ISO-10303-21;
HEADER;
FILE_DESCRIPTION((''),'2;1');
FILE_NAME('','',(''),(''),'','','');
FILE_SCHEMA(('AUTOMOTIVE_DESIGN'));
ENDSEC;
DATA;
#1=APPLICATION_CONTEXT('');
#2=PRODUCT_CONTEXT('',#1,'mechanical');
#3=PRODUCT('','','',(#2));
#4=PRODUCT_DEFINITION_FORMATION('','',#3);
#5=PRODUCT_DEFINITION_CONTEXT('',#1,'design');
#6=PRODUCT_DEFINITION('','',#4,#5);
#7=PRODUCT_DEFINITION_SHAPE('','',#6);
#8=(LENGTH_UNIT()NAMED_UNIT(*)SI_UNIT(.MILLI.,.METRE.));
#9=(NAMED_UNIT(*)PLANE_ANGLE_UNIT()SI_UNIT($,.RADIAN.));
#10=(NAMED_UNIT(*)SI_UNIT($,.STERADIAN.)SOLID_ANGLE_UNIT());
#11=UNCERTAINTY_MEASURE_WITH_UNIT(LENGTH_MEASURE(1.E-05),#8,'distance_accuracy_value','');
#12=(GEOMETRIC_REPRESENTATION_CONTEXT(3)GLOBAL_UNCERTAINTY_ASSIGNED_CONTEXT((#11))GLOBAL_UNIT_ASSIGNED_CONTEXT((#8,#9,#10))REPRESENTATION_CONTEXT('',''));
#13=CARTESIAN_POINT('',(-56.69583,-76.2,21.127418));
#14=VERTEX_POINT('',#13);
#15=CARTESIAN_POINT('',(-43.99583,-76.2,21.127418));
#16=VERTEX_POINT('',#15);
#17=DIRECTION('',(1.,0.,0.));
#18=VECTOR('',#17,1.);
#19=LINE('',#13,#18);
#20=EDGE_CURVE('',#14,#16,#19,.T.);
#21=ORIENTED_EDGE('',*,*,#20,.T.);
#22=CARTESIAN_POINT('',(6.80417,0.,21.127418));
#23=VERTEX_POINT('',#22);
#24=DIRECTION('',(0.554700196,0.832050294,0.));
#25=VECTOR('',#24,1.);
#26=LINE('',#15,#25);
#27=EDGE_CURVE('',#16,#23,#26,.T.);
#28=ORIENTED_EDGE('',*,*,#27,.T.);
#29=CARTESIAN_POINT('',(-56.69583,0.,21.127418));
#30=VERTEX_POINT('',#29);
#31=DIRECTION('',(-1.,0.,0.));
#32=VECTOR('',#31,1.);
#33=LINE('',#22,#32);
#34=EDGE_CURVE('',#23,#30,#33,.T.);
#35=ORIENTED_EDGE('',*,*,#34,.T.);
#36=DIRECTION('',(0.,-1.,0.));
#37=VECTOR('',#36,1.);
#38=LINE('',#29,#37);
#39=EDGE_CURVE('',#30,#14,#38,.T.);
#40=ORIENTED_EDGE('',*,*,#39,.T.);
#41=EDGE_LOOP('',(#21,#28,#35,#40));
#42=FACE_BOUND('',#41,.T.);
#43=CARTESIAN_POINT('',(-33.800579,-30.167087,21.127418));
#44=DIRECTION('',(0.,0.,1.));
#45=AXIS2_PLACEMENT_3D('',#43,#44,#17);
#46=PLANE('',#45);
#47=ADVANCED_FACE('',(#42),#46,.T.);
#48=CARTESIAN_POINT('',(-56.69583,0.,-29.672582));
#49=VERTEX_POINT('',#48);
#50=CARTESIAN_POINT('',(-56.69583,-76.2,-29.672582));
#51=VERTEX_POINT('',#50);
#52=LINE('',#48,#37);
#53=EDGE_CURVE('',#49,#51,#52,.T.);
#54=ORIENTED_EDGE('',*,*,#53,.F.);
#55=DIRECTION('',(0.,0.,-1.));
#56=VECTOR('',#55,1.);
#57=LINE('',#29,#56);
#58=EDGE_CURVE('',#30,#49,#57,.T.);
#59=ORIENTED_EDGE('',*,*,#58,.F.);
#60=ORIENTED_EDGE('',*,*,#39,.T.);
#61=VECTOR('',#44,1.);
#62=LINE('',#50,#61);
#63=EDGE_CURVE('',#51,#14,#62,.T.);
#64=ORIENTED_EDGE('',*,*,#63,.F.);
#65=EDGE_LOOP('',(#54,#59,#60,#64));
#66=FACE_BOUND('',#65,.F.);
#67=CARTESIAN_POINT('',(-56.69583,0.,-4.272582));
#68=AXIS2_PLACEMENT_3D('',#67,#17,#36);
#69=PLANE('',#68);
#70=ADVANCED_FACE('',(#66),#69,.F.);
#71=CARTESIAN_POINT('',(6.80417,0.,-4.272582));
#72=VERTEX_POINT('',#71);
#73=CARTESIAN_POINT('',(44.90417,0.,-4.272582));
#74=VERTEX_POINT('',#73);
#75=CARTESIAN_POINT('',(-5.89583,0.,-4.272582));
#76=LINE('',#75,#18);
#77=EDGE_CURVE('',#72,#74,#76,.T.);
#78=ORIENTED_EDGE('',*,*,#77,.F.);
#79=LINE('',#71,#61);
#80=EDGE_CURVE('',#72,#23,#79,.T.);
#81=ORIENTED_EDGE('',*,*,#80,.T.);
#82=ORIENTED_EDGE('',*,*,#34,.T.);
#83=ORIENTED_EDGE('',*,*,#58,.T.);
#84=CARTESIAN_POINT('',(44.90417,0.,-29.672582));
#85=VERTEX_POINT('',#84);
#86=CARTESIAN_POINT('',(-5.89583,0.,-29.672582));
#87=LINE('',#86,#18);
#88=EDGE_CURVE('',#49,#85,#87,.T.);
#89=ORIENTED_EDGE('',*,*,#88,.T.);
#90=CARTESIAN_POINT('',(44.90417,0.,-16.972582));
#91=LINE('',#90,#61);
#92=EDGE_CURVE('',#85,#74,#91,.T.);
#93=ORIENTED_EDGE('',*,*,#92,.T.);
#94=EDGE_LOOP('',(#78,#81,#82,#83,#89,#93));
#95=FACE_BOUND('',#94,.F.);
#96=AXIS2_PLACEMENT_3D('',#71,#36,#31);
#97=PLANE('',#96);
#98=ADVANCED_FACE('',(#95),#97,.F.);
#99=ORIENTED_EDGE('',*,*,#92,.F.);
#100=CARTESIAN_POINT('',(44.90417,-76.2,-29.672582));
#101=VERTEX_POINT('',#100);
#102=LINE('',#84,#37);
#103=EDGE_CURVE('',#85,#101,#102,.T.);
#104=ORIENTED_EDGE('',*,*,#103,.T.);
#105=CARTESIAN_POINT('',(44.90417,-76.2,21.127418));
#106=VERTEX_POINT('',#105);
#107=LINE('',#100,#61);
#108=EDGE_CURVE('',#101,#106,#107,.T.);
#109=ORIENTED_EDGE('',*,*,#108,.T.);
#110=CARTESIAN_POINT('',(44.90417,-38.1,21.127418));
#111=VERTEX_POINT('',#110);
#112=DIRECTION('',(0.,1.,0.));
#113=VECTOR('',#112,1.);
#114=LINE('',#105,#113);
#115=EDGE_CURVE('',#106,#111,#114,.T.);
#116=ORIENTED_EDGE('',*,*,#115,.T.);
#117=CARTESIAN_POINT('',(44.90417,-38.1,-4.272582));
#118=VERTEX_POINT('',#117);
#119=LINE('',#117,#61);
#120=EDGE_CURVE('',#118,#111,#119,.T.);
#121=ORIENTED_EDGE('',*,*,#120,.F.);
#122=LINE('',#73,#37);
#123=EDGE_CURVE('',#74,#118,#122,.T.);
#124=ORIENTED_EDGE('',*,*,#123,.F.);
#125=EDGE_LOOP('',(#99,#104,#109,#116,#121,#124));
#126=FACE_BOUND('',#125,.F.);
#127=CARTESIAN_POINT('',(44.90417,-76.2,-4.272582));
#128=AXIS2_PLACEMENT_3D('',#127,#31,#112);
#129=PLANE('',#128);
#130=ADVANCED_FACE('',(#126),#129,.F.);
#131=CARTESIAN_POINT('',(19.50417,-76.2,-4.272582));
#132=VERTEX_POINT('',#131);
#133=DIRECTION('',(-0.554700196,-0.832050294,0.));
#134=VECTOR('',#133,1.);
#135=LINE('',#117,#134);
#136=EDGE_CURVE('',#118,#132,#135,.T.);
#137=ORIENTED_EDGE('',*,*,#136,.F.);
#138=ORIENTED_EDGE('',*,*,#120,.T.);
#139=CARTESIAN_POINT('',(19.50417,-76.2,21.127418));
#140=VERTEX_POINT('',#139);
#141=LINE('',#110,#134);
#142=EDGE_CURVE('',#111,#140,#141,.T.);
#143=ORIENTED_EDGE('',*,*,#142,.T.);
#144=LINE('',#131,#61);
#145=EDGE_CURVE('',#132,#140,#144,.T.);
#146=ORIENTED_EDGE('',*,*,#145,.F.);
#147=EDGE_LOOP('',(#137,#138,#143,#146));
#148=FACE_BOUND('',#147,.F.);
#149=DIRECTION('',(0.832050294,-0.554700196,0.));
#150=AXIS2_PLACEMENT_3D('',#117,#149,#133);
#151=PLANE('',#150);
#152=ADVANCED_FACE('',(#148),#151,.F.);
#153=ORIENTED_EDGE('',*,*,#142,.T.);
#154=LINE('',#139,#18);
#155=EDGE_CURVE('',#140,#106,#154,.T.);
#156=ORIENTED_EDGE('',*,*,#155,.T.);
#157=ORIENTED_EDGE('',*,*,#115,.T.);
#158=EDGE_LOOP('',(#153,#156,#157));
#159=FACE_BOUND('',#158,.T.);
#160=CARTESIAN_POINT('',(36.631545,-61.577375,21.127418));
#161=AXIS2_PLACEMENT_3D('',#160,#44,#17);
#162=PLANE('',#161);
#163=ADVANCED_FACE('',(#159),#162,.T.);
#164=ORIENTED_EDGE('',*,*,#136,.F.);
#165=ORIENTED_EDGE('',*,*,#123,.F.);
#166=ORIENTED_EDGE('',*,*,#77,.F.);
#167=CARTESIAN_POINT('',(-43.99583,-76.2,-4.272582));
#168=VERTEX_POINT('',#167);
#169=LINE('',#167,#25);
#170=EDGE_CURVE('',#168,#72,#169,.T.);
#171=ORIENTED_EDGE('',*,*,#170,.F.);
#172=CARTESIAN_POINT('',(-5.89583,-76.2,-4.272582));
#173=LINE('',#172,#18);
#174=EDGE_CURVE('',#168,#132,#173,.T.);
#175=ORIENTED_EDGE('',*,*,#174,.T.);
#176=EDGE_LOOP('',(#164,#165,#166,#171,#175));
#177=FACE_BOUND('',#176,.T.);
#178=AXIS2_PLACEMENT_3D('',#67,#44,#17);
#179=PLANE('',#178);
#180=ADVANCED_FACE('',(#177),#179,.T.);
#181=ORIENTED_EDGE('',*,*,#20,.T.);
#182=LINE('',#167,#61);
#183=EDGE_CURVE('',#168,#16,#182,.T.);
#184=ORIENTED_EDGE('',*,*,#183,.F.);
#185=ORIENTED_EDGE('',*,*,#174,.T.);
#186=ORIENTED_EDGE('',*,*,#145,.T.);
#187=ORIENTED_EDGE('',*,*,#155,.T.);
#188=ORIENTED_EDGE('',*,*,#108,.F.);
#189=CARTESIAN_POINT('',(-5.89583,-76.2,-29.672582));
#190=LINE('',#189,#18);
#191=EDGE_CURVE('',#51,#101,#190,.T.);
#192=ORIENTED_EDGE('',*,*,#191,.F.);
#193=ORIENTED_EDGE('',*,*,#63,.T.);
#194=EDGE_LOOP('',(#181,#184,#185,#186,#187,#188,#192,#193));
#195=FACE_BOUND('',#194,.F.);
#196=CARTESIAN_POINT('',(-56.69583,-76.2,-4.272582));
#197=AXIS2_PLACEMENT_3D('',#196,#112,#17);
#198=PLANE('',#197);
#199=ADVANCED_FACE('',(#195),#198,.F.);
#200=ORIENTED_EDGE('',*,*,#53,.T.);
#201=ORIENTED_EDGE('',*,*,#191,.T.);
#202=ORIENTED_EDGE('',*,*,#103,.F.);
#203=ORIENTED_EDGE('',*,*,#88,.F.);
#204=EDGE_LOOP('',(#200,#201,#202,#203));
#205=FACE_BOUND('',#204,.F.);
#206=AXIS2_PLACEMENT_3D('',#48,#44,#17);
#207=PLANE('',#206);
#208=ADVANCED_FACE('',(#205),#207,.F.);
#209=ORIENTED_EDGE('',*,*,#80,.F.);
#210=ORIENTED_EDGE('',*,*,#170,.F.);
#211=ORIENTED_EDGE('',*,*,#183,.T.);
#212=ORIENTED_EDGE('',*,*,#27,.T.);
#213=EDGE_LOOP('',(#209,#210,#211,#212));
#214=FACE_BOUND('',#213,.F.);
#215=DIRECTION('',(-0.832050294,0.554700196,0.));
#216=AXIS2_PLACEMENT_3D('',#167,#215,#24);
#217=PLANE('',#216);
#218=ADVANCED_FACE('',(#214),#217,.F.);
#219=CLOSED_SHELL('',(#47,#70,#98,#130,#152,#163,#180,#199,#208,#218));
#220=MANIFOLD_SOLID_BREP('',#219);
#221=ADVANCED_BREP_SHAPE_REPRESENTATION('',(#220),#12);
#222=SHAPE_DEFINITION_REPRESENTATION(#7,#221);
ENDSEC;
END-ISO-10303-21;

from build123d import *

# Parameters (mm, degrees)
F0_W     = 101.6
F0_H     = 25.4
F1_DEPTH = 76.2
F3_DEPTH = 25.4
F5_DEPTH = 25.4


with BuildPart() as f1:
    # F0 (on Front) → F1 (new body)
    with BuildSketch(Plane.XZ):
        with Locations((-5.89583, -16.972582)):
            Rectangle(F0_W, F0_H)
    extrude(amount=F1_DEPTH)

    # F2 (on face) → F3 (join)
    with BuildSketch(Plane.XY.offset(-4.272582)):
        Polygon((19.50417, -76.2), (44.90417, -76.2), (44.90417, -38.1), align=None)
    extrude(amount=F3_DEPTH)

    # F4 (on face) → F5 (join)
    with BuildSketch(Plane.XY.offset(-4.272582)):
        Polygon((-56.69583, 0), (-56.69583, -76.2), (-43.99583, -76.2), (6.80417, 0), align=None)
    extrude(amount=F5_DEPTH)


solid = f1.part
